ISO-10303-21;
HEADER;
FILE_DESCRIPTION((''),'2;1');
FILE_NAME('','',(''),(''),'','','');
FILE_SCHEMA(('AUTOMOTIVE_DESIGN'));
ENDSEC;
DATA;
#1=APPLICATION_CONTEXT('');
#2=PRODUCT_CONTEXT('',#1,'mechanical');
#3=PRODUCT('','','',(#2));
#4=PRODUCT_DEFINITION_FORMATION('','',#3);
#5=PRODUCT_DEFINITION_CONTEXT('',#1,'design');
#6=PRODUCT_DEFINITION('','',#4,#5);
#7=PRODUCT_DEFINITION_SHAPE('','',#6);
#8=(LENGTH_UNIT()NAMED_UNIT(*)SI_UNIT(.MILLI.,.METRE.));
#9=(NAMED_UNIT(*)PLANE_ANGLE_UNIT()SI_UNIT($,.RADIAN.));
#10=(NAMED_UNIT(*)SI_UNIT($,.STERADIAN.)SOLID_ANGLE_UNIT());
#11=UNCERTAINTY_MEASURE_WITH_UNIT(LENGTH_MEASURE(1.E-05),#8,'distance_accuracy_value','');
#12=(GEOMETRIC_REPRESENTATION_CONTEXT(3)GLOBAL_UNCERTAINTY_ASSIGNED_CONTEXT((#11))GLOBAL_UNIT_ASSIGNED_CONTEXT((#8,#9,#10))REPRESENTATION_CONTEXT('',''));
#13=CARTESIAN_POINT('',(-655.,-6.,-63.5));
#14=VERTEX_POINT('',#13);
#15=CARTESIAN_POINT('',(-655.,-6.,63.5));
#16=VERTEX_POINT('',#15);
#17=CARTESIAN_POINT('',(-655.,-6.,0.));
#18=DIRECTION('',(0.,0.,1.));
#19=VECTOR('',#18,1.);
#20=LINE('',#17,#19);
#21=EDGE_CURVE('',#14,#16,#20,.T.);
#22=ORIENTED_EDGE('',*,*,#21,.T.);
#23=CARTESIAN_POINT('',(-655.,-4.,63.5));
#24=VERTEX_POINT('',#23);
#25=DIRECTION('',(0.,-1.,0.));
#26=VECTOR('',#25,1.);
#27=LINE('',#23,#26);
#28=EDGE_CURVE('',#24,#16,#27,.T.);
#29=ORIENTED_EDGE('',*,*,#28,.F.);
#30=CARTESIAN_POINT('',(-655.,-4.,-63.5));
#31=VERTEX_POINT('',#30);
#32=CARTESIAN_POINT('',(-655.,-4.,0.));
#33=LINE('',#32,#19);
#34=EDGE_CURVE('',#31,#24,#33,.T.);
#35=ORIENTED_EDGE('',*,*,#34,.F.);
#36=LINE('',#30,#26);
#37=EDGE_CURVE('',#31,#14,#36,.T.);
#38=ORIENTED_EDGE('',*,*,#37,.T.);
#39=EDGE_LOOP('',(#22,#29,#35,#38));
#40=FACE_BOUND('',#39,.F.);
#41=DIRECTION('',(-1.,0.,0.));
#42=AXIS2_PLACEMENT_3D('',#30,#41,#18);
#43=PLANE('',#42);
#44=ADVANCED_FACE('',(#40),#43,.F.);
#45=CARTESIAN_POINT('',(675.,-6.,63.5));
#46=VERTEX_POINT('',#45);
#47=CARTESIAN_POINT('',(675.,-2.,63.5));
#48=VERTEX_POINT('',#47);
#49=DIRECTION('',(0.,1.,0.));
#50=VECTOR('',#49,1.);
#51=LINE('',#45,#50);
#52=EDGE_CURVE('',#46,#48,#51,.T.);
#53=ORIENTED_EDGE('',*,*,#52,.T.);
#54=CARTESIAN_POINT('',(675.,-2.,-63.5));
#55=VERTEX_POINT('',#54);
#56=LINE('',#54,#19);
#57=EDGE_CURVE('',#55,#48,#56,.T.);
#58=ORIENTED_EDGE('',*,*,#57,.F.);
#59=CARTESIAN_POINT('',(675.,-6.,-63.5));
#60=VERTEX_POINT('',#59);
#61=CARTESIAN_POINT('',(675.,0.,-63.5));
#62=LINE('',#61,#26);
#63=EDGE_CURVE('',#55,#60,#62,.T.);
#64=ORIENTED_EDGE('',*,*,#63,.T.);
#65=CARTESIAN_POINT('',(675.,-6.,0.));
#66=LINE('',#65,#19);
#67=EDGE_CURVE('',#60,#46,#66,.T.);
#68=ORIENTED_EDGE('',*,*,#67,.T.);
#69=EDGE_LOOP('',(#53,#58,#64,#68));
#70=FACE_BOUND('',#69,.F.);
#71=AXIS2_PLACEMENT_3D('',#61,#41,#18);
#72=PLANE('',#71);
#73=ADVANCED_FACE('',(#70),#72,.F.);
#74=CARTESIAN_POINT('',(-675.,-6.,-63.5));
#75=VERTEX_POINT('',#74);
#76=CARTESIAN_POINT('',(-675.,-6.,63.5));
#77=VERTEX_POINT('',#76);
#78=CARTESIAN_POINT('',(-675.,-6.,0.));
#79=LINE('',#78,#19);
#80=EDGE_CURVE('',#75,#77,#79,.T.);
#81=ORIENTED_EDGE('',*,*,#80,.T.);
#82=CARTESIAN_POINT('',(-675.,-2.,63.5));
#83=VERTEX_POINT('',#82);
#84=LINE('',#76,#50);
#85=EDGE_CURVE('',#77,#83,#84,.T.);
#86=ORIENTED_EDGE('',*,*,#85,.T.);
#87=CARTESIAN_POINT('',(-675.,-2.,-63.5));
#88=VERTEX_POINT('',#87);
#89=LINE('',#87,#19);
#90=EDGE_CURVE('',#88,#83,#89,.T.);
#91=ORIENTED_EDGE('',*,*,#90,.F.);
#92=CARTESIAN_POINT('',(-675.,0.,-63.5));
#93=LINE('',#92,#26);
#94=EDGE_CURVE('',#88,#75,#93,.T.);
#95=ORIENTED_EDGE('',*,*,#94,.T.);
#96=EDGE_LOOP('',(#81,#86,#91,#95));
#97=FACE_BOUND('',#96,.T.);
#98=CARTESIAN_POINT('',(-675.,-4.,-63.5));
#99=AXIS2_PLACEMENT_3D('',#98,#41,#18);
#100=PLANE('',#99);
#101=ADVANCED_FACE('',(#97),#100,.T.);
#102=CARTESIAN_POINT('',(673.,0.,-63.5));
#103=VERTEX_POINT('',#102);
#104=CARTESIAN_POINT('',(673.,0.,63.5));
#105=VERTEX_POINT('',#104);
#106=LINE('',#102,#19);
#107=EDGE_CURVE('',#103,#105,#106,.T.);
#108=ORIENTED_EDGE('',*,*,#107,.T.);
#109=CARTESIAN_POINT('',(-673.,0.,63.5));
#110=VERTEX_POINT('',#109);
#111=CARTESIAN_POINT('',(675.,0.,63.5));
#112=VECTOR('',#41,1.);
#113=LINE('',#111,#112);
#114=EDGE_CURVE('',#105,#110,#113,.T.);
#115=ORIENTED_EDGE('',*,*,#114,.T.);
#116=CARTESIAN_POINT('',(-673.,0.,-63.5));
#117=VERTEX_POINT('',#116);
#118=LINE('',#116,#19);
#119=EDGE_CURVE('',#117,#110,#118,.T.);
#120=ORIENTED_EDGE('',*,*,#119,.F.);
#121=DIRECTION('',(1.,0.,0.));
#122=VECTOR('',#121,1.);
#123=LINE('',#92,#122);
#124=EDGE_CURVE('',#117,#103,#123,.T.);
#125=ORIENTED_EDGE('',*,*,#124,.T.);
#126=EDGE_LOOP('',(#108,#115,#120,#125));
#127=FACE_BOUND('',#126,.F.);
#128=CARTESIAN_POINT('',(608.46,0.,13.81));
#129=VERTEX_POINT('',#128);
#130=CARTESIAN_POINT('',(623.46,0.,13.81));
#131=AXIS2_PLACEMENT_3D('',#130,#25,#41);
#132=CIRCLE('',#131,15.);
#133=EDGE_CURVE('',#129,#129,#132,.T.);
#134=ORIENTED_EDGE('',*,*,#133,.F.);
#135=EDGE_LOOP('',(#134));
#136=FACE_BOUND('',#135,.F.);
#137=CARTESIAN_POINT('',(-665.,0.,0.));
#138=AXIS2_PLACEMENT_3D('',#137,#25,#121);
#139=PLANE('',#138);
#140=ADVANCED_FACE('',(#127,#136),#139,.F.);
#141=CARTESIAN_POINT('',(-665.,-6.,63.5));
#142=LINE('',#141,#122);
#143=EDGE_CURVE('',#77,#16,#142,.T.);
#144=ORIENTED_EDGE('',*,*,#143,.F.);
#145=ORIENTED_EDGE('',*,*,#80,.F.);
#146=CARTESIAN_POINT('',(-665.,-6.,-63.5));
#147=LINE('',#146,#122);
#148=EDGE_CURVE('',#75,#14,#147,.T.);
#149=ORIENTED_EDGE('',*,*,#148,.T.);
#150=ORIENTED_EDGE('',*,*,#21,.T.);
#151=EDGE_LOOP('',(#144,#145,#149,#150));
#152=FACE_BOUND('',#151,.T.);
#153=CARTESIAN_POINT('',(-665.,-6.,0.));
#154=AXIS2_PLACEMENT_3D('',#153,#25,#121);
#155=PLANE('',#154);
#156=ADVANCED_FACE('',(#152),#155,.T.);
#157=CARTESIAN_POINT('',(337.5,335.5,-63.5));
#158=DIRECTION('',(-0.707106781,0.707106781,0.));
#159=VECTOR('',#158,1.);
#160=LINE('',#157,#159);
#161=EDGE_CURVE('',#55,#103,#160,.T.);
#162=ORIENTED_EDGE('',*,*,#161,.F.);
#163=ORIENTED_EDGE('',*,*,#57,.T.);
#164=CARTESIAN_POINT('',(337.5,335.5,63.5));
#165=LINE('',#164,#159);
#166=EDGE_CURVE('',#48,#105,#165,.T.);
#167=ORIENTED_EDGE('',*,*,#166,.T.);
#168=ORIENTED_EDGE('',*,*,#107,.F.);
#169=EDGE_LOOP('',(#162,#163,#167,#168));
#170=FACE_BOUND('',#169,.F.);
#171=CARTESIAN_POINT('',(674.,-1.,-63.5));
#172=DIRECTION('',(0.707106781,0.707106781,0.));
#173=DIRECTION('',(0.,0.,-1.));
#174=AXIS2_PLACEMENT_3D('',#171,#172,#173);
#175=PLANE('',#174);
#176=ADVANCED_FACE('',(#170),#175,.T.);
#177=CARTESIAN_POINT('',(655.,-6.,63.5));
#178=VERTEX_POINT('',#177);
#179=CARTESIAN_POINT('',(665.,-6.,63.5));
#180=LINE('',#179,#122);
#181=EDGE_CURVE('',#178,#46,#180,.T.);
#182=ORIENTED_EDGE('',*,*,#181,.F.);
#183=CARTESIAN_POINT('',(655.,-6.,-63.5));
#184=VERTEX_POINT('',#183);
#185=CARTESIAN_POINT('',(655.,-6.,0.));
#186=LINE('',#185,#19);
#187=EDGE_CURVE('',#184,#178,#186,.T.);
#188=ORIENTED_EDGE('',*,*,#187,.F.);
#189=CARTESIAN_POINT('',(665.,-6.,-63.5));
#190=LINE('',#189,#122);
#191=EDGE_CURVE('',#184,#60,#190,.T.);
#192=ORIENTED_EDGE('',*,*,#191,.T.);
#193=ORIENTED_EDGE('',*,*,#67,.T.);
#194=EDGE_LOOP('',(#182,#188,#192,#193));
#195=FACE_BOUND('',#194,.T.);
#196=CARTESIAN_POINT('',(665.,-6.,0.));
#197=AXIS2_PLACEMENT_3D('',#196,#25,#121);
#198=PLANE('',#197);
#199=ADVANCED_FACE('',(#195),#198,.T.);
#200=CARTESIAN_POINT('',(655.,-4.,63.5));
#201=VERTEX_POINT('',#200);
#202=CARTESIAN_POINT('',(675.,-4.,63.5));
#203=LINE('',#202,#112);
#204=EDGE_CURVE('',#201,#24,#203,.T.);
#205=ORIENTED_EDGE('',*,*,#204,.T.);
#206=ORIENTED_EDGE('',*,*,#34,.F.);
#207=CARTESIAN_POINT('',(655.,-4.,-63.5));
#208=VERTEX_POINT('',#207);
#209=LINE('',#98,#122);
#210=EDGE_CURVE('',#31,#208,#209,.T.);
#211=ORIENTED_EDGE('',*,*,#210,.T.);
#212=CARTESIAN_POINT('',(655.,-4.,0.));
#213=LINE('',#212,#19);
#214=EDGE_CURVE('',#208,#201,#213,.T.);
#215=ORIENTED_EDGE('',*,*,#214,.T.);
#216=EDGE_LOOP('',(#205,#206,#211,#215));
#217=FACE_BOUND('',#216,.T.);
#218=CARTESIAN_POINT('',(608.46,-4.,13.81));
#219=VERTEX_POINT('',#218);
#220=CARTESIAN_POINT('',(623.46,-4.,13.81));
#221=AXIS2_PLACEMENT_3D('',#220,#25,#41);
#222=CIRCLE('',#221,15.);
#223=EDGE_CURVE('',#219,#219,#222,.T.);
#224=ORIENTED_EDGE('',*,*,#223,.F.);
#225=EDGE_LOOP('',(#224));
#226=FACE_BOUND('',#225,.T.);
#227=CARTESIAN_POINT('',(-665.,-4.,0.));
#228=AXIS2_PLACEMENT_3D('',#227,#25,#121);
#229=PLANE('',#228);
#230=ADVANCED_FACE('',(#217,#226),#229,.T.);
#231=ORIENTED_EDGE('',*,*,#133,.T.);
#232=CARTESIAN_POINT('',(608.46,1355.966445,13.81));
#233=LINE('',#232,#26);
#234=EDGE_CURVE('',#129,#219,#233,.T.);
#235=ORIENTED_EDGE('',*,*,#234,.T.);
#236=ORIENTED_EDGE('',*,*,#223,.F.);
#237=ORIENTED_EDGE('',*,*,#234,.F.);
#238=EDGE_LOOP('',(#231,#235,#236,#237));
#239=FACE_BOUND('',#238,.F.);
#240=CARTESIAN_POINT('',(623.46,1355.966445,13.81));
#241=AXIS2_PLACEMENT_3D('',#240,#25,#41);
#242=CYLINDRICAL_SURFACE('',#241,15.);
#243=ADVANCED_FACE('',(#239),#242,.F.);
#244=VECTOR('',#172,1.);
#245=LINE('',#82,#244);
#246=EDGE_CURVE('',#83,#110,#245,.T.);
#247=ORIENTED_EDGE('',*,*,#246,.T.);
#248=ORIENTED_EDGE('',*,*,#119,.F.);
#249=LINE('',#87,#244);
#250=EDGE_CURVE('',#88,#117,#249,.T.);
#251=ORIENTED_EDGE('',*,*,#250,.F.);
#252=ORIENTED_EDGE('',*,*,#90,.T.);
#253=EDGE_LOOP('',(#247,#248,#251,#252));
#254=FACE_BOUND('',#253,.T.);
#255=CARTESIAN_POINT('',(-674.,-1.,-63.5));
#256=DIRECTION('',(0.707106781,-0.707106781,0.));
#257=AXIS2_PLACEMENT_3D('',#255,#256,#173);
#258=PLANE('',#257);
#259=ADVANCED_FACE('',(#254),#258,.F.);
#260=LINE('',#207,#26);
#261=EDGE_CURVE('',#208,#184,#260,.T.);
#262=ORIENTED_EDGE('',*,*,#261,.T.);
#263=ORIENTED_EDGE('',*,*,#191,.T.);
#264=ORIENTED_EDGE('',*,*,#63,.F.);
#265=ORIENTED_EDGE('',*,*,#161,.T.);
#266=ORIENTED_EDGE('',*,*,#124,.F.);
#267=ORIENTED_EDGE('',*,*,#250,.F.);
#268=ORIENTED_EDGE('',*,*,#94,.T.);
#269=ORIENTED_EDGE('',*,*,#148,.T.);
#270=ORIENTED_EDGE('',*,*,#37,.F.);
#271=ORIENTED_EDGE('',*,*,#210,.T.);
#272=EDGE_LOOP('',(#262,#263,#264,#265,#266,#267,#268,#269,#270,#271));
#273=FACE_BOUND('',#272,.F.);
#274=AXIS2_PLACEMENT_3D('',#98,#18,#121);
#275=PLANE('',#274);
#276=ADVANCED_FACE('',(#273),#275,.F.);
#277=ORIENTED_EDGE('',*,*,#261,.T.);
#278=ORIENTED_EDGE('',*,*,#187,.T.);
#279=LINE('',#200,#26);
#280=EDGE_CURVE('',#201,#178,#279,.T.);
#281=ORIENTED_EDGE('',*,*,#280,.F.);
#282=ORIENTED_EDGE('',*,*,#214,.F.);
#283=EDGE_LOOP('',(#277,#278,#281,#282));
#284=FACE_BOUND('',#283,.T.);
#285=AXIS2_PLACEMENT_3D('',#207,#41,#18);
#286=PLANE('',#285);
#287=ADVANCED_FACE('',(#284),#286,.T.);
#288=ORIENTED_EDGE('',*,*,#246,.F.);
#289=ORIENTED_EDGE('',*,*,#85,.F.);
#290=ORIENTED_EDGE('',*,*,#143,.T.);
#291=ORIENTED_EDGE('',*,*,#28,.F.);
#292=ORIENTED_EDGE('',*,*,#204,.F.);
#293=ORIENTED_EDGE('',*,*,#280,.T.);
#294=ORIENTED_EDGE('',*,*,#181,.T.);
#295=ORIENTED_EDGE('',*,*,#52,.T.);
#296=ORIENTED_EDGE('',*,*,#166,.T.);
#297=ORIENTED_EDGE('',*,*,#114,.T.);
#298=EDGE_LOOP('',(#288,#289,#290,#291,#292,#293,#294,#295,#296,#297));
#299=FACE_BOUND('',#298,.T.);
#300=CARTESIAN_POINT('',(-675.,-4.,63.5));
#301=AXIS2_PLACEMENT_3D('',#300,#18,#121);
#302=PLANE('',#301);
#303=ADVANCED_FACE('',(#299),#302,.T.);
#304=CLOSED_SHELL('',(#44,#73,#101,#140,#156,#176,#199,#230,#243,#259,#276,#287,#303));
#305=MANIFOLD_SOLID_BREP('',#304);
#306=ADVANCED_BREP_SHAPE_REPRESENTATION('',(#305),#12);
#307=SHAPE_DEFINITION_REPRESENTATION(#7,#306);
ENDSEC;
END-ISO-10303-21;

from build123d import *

# Parameters (mm, degrees)
F0_W     = 20
F0_H     = 127
F0_W_2   = 1310
F1_DEPTH = 4
F2_D     = 30
F3_W     = 20
F3_H     = 127
F4_DEPTH = 2
F5_SIZE  = 2


with BuildPart() as f1:
    # F0 (on Front) → F1 (new body)
    with BuildSketch(Plane.XZ):
        with Locations((-665, 0)):
            Rectangle(F0_W, F0_H)
        Rectangle(F0_W_2, F0_H)
        with Locations((665, 0)):
            Rectangle(F0_W, F0_H)
    extrude(amount=F1_DEPTH)

    # F2 (through all)
    with Locations(Plane(origin=(0, 0, 0), x_dir=(1, 0, 0), z_dir=(0, 1, 0))):
        with Locations((623.46, -13.81)):
            Hole(F2_D / 2)

    # F3 (on face) → F4 (join)
    with BuildSketch(Plane.XZ.offset(4)):
        with Locations((-665, 0)):
            Rectangle(F3_W, F3_H)
        with Locations((665, 0)):
            Rectangle(F3_W, F3_H)
    extrude(amount=F4_DEPTH)

    # F5
    f5_edges = [f1.edges().sort_by_distance(p)[0] for p in [
        (675, 0, 0),
        (-675, 0, 0),
    ]]
    chamfer(f5_edges, length=F5_SIZE)


solid = f1.part
